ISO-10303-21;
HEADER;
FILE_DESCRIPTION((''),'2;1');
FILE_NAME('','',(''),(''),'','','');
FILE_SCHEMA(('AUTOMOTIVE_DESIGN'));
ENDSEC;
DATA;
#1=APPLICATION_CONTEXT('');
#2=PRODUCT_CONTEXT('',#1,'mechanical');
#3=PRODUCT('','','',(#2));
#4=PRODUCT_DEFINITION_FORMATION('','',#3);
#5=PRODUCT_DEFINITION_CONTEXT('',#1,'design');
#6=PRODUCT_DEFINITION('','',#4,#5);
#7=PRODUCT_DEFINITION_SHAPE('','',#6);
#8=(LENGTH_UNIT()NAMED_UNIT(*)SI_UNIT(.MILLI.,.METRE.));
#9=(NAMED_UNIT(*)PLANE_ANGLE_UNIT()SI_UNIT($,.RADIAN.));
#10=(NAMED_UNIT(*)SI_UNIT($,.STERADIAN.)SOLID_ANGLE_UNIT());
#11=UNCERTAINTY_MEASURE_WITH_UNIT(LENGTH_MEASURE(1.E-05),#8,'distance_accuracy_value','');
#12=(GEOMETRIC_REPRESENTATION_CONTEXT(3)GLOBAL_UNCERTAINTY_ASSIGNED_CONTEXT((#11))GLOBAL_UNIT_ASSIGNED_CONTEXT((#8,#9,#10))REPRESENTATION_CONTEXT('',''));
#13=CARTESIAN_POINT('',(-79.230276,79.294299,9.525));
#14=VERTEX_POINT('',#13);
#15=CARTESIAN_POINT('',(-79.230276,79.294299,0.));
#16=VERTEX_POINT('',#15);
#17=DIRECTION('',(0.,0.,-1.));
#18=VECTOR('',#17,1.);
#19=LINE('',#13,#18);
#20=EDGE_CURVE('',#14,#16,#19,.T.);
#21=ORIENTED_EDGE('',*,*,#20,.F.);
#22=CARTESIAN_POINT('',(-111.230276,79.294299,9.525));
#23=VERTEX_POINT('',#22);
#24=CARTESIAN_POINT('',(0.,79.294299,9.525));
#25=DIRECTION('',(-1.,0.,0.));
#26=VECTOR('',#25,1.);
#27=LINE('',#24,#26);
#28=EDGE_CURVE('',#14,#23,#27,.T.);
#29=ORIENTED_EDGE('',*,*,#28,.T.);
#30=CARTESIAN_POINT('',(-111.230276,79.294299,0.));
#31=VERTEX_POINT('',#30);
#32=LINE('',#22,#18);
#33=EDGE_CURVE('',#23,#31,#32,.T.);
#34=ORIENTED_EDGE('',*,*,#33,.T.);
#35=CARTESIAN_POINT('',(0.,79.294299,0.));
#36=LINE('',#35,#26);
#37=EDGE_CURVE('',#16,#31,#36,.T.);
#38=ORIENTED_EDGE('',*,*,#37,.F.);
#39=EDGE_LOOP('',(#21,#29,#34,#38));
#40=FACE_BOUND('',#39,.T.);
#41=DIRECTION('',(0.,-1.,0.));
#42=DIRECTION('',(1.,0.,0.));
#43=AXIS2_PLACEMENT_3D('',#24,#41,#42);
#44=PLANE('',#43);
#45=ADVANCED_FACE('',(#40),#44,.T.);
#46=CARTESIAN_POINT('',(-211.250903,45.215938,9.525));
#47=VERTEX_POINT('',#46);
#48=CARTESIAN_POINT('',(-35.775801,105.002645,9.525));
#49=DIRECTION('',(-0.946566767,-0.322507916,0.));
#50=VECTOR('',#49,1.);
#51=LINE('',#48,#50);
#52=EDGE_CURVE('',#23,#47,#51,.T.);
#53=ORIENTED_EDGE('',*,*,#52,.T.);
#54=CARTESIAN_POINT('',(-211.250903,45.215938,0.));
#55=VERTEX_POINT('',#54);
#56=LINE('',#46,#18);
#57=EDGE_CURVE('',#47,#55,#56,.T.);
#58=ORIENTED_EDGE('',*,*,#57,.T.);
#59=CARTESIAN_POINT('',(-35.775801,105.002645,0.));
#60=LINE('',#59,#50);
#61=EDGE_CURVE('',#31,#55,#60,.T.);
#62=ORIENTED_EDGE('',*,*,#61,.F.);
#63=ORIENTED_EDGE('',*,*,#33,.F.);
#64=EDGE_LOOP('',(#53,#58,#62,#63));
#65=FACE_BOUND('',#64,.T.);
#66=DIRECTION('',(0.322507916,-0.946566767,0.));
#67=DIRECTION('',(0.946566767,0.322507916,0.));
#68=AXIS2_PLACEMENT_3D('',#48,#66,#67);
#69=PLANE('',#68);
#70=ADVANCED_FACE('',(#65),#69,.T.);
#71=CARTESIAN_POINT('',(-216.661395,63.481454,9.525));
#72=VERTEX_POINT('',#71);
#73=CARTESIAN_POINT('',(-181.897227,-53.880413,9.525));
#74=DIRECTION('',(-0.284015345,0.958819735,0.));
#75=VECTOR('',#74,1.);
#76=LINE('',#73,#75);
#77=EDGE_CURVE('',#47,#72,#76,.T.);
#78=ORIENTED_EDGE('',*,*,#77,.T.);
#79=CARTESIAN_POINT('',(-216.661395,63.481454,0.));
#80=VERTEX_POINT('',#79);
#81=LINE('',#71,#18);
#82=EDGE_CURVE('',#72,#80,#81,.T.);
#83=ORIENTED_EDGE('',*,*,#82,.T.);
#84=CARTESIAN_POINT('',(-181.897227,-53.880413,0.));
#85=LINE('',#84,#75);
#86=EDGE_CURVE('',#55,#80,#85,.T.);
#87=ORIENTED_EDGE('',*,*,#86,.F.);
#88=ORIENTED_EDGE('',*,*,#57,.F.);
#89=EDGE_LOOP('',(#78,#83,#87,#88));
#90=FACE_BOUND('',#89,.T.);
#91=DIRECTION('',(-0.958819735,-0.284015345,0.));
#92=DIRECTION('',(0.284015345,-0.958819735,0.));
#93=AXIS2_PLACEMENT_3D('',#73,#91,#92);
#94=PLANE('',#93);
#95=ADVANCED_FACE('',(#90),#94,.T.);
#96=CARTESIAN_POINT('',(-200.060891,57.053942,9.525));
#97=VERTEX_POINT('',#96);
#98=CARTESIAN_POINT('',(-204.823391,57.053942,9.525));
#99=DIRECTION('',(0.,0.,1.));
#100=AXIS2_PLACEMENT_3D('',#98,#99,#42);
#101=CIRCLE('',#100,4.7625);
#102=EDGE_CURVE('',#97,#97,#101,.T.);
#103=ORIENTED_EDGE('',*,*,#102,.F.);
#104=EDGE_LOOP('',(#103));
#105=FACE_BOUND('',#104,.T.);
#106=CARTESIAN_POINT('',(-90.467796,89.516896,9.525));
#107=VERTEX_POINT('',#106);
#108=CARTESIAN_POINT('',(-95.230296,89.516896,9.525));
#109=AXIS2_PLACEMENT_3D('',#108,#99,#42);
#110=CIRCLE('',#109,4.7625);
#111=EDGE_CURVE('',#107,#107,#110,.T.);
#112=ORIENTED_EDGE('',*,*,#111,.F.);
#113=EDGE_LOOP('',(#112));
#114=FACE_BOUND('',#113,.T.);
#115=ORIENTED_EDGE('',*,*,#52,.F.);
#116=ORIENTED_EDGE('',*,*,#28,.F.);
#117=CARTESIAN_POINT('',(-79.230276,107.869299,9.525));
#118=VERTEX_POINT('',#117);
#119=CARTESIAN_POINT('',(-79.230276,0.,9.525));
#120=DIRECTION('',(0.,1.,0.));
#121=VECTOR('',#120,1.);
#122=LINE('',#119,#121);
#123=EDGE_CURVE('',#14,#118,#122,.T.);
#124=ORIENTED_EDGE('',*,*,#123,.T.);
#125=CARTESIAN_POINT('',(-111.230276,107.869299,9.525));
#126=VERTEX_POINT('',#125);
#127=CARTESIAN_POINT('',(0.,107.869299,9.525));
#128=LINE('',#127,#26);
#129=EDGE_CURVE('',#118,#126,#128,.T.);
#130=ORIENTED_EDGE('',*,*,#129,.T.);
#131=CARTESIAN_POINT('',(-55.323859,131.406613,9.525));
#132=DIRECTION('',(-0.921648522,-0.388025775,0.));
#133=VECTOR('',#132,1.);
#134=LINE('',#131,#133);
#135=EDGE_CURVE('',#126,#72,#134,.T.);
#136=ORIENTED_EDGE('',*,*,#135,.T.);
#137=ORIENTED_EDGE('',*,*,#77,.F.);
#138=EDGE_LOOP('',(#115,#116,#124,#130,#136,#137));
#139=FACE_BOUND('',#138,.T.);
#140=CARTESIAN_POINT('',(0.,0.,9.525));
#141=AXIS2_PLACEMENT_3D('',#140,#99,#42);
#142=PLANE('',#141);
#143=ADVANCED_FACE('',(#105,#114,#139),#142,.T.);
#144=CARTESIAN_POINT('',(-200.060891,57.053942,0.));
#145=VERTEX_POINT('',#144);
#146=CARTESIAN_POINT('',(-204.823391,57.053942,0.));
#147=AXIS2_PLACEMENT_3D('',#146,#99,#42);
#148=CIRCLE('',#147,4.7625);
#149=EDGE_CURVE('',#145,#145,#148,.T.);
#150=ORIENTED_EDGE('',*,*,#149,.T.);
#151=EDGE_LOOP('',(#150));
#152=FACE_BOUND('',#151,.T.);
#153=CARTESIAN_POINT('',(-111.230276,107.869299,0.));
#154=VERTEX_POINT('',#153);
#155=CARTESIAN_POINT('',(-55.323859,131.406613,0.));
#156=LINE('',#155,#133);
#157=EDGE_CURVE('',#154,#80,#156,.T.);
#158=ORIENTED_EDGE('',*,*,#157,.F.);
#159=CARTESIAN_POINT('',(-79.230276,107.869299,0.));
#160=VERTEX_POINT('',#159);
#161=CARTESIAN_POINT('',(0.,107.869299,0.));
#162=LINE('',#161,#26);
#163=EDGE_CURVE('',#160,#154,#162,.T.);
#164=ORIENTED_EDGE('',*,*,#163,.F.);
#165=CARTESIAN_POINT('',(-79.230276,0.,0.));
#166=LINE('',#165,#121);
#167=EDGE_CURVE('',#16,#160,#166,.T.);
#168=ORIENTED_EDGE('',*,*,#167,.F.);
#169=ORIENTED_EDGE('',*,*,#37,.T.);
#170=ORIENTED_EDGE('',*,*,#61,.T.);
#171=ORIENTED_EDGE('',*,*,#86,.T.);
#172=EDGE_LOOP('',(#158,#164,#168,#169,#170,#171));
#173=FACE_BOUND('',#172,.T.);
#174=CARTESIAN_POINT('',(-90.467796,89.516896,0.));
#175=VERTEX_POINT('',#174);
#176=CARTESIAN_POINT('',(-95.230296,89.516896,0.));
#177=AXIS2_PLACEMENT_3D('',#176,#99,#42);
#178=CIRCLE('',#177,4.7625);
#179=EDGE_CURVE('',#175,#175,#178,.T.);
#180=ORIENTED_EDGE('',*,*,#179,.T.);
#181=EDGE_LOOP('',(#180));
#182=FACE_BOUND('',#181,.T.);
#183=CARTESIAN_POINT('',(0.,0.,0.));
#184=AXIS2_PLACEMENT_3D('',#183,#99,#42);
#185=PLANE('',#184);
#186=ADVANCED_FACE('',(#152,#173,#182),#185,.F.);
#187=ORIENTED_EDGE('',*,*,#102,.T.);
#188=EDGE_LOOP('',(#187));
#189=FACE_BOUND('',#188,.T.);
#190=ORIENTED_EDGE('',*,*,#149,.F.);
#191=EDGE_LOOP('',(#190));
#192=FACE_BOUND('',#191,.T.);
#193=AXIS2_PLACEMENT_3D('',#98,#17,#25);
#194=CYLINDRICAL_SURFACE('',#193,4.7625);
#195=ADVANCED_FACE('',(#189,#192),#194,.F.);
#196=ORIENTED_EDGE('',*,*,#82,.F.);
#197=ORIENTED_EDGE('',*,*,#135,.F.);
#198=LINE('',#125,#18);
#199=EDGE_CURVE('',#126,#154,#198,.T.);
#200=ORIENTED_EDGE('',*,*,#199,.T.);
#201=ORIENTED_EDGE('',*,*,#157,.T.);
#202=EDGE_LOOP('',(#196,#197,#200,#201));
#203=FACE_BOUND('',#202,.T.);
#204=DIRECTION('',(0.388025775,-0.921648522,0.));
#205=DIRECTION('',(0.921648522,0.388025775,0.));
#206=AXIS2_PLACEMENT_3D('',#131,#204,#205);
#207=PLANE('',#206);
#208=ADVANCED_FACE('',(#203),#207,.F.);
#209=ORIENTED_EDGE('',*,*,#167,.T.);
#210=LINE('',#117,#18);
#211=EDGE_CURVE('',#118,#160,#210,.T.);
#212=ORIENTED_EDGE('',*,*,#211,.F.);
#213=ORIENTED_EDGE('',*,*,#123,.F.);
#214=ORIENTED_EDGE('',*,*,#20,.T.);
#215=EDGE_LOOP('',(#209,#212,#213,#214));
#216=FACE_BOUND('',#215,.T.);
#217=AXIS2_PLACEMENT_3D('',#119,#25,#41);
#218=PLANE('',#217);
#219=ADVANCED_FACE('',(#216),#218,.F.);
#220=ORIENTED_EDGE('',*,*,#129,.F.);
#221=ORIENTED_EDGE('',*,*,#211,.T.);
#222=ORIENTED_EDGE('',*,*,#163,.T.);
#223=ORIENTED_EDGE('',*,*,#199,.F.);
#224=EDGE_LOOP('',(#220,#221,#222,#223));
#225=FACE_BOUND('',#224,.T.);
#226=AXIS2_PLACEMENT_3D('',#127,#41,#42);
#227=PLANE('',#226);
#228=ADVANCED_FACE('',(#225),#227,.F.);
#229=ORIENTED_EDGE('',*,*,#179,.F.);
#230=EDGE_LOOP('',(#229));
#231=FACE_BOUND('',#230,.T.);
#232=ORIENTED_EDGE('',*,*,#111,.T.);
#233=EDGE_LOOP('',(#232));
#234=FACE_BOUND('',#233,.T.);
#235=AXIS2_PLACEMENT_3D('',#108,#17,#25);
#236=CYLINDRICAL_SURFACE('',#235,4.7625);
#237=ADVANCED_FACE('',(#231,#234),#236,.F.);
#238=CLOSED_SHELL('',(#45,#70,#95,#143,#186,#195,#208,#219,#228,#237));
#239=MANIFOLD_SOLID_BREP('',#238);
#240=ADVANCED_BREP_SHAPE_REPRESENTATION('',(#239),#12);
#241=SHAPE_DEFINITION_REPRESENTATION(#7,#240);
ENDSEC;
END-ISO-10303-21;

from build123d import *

# Parameters (mm, degrees)
SKETCH1_R           = 4.762500002
BOSS_EXTRUDE1_DEPTH = 9.525


with BuildPart() as part:
    # Sketch1 → Boss-Extrude1 (new body)
    with BuildSketch(Plane.XY):
        Polygon((-111.230275822, 107.869299126), (-216.661395476, 63.481453953), (-211.250903159, 45.215938004), (-111.230275822, 79.294299126), (-79.230275822, 79.294299126), (-79.230275822, 107.869299126), align=None)
        with Locations((-95.230295648, 89.516896037)):
            Circle(SKETCH1_R, mode=Mode.SUBTRACT)
        with Locations((-204.823391343, 57.053942137)):
            Circle(SKETCH1_R, mode=Mode.SUBTRACT)
    extrude(amount=BOSS_EXTRUDE1_DEPTH)


solid = part.part
